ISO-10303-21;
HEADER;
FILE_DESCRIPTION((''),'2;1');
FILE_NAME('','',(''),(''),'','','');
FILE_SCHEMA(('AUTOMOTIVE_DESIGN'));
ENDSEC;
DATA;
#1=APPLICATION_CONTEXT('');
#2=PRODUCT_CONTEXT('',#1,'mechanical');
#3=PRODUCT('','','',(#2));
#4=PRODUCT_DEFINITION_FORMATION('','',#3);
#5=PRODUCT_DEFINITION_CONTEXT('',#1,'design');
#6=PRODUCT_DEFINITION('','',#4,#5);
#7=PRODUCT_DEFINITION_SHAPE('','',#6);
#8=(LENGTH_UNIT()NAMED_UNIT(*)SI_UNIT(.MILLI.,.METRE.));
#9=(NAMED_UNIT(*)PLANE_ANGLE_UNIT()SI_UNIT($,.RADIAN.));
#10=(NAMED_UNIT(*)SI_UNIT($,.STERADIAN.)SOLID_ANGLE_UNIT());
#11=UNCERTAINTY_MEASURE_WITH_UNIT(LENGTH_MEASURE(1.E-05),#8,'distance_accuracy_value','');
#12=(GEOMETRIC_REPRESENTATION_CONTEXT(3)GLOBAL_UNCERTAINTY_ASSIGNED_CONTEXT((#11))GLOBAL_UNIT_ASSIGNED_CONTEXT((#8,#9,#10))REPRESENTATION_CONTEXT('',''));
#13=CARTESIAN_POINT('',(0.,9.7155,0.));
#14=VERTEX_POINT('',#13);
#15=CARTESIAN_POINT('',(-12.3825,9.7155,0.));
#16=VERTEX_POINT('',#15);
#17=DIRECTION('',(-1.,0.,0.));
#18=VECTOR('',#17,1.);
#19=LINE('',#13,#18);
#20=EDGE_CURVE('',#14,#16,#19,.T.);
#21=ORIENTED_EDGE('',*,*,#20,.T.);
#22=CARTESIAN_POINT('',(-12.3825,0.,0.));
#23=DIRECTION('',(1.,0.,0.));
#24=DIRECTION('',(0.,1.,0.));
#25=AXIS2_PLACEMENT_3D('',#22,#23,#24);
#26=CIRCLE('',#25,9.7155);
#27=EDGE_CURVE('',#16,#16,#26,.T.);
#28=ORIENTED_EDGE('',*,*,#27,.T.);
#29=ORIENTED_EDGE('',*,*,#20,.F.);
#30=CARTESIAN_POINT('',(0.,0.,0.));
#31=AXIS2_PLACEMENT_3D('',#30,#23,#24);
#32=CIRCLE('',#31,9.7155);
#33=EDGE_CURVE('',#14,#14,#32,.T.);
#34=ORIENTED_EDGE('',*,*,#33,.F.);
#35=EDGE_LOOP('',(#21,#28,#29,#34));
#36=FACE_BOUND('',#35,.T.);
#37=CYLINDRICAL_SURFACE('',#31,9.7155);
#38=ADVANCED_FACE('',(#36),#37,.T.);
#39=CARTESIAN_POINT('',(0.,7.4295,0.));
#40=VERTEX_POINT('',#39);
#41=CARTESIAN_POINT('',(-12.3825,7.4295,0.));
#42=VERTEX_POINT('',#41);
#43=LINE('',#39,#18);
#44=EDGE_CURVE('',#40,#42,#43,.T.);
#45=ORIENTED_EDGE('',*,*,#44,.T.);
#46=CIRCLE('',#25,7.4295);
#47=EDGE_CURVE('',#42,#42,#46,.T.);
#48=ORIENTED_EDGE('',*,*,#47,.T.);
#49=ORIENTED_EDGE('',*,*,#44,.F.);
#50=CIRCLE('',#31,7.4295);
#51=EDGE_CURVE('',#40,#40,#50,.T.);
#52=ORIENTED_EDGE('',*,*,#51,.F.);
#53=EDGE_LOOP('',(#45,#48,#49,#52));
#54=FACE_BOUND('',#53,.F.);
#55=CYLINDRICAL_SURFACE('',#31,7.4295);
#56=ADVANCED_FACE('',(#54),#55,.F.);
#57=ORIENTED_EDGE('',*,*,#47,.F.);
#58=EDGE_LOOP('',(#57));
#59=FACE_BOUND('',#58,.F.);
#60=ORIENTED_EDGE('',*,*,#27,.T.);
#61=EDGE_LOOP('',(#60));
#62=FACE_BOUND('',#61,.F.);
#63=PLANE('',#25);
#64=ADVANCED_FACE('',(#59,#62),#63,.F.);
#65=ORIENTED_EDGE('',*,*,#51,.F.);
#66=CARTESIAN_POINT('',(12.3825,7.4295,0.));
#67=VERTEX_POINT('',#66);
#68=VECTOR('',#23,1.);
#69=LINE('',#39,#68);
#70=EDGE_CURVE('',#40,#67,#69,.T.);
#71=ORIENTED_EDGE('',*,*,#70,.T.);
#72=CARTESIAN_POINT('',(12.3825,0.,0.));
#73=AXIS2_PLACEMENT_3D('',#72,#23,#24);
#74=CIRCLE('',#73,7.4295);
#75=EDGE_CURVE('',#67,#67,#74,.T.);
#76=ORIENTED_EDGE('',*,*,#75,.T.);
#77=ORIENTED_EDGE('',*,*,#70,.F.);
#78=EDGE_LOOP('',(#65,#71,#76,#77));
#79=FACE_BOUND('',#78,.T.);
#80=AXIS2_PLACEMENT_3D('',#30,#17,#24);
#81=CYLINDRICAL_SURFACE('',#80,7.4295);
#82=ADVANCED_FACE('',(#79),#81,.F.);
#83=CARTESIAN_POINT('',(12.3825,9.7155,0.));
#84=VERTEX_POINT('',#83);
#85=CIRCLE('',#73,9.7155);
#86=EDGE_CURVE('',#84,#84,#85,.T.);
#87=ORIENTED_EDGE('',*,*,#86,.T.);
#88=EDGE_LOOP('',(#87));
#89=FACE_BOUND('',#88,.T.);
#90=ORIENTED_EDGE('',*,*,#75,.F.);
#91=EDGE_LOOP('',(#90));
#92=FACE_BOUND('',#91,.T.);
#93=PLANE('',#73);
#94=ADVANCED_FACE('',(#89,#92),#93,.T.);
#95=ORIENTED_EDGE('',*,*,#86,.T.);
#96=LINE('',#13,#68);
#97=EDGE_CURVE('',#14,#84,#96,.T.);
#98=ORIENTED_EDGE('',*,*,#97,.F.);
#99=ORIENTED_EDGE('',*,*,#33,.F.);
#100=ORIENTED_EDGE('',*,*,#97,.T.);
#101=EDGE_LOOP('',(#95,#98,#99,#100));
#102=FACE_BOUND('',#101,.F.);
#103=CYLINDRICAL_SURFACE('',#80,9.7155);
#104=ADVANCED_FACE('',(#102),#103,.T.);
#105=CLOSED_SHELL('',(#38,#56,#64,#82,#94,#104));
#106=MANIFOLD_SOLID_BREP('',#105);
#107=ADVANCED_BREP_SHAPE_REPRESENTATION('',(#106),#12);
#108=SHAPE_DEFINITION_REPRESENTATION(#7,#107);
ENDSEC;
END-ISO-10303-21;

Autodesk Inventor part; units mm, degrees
ref_plane "YZ Plane" through (0, 0, 0) normal (1, 0, 0) x (0, 1, 0)
ref_plane "XZ Plane" through (0, 0, 0) normal (0, 1, 0) x (-1, 0, 0)
ref_plane "XY Plane" through (0, 0, 0) normal (0, 0, 1) x (1, 0, 0)
sketch "Sketch1" plane through (0, 0, 0) normal (1, 0, 0) x (0, 1, 0)
  circle A0 centre (0, 0) radius 7.4295
  circle A1 centre (0, 0) radius 9.7155
  dimension "d0" = 14.859
  dimension "d1" = 2.286
extrude "Extrusion1" add sketch "Sketch1" along normal mid plane 24.765
properties part number "EL2-CGB-014" material "ABS Plastic"
